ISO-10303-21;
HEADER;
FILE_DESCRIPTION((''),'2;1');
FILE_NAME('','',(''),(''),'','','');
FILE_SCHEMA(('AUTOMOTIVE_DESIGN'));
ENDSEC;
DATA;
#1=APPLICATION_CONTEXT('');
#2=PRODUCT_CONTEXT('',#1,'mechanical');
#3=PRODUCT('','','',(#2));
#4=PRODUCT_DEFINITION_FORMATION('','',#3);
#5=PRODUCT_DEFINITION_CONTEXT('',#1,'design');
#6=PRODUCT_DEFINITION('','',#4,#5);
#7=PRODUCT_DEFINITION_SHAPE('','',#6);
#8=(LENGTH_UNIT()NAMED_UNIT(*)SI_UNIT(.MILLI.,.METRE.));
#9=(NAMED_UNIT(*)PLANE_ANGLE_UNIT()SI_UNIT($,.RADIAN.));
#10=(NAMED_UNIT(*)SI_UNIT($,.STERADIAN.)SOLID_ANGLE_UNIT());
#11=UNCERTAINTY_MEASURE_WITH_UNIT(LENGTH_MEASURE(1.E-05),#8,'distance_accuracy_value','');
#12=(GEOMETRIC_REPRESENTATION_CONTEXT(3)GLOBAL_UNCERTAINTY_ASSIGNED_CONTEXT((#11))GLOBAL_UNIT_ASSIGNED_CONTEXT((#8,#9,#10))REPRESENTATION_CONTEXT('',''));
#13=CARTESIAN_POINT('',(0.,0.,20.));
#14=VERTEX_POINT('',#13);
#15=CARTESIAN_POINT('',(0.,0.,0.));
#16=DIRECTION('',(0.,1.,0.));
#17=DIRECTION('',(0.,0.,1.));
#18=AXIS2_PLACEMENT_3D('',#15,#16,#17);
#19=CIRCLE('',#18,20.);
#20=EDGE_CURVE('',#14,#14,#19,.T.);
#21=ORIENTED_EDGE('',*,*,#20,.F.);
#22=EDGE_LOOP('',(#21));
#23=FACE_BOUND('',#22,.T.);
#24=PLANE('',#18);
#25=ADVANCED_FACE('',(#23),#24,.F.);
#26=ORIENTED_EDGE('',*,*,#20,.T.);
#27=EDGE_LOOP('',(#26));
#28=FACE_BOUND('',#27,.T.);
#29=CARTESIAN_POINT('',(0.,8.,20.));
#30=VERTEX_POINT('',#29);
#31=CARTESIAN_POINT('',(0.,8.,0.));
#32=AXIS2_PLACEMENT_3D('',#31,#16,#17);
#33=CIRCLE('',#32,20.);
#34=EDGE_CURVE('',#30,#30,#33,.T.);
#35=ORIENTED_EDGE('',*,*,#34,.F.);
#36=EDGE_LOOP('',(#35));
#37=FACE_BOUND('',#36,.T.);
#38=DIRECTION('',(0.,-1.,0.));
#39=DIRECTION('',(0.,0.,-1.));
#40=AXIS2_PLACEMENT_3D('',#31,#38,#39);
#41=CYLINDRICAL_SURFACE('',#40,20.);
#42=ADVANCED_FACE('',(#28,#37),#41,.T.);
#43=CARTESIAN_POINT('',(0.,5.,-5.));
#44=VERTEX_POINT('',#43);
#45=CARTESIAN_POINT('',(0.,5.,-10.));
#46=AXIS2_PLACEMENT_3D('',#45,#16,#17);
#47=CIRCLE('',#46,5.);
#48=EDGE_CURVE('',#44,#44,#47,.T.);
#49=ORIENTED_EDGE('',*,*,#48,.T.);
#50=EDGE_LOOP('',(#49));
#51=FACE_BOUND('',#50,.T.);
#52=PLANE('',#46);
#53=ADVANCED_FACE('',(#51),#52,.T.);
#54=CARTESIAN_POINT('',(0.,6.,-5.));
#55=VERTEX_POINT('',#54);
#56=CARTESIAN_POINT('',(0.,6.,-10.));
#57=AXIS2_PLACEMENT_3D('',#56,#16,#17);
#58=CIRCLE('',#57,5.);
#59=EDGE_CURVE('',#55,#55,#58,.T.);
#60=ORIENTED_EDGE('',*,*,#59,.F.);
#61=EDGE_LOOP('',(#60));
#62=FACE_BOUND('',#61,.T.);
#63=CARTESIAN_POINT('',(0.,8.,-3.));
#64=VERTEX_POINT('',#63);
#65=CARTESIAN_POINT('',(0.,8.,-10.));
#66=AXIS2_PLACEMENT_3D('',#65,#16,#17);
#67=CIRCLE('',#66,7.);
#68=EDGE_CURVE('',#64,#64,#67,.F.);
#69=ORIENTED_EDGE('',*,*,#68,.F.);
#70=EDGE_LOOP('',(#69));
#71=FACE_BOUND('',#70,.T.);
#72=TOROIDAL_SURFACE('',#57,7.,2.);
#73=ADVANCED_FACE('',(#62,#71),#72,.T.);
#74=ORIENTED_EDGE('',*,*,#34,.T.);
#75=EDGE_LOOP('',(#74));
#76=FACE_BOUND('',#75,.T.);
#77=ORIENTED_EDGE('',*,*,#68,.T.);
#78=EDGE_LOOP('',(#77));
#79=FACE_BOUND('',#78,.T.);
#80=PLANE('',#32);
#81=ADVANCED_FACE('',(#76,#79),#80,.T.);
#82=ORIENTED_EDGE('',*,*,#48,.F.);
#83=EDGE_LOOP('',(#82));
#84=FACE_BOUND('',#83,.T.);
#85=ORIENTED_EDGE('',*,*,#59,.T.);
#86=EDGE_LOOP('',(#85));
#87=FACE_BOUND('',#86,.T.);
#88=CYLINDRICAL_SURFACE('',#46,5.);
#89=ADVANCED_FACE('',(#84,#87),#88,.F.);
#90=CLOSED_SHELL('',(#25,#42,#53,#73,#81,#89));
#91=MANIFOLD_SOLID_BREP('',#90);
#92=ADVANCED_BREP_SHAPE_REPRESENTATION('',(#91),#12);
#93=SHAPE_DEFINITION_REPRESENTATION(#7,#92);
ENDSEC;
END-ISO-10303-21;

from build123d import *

# Parameters (mm, degrees)
CROQUIS1_R              = 20
SALIENTE_EXTRUIR1_DEPTH = 8
CROQUIS2_R              = 5
CORTAR_EXTRUIR1_DEPTH   = 3
REDONDEO1_R             = 2


with BuildPart() as part:
    # Croquis1 → Saliente-Extruir1 (new body)
    with BuildSketch(Plane(origin=(0, 0, 0), x_dir=(1, 0, 0), z_dir=(0, 1, 0))):
        with Locations(Location((0, 0, 0), (0, 0, 270))):
            Circle(CROQUIS1_R)
    extrude(amount=SALIENTE_EXTRUIR1_DEPTH)

    # Croquis2 → Cortar-Extruir1 (cut)
    with BuildSketch(Plane(origin=(0, 8, 0), x_dir=(1, 0, 0), z_dir=(0, 1, 0))):
        with Locations(Location((0, 10, 0), (0, 0, 270))):
            Circle(CROQUIS2_R)
    extrude(amount=-CORTAR_EXTRUIR1_DEPTH, mode=Mode.SUBTRACT)

    # Redondeo1
    redondeo1_edges = [part.edges().sort_by_distance(p)[0] for p in [
        (0, 8, -15),
    ]]
    fillet(redondeo1_edges, radius=REDONDEO1_R)


solid = part.part
